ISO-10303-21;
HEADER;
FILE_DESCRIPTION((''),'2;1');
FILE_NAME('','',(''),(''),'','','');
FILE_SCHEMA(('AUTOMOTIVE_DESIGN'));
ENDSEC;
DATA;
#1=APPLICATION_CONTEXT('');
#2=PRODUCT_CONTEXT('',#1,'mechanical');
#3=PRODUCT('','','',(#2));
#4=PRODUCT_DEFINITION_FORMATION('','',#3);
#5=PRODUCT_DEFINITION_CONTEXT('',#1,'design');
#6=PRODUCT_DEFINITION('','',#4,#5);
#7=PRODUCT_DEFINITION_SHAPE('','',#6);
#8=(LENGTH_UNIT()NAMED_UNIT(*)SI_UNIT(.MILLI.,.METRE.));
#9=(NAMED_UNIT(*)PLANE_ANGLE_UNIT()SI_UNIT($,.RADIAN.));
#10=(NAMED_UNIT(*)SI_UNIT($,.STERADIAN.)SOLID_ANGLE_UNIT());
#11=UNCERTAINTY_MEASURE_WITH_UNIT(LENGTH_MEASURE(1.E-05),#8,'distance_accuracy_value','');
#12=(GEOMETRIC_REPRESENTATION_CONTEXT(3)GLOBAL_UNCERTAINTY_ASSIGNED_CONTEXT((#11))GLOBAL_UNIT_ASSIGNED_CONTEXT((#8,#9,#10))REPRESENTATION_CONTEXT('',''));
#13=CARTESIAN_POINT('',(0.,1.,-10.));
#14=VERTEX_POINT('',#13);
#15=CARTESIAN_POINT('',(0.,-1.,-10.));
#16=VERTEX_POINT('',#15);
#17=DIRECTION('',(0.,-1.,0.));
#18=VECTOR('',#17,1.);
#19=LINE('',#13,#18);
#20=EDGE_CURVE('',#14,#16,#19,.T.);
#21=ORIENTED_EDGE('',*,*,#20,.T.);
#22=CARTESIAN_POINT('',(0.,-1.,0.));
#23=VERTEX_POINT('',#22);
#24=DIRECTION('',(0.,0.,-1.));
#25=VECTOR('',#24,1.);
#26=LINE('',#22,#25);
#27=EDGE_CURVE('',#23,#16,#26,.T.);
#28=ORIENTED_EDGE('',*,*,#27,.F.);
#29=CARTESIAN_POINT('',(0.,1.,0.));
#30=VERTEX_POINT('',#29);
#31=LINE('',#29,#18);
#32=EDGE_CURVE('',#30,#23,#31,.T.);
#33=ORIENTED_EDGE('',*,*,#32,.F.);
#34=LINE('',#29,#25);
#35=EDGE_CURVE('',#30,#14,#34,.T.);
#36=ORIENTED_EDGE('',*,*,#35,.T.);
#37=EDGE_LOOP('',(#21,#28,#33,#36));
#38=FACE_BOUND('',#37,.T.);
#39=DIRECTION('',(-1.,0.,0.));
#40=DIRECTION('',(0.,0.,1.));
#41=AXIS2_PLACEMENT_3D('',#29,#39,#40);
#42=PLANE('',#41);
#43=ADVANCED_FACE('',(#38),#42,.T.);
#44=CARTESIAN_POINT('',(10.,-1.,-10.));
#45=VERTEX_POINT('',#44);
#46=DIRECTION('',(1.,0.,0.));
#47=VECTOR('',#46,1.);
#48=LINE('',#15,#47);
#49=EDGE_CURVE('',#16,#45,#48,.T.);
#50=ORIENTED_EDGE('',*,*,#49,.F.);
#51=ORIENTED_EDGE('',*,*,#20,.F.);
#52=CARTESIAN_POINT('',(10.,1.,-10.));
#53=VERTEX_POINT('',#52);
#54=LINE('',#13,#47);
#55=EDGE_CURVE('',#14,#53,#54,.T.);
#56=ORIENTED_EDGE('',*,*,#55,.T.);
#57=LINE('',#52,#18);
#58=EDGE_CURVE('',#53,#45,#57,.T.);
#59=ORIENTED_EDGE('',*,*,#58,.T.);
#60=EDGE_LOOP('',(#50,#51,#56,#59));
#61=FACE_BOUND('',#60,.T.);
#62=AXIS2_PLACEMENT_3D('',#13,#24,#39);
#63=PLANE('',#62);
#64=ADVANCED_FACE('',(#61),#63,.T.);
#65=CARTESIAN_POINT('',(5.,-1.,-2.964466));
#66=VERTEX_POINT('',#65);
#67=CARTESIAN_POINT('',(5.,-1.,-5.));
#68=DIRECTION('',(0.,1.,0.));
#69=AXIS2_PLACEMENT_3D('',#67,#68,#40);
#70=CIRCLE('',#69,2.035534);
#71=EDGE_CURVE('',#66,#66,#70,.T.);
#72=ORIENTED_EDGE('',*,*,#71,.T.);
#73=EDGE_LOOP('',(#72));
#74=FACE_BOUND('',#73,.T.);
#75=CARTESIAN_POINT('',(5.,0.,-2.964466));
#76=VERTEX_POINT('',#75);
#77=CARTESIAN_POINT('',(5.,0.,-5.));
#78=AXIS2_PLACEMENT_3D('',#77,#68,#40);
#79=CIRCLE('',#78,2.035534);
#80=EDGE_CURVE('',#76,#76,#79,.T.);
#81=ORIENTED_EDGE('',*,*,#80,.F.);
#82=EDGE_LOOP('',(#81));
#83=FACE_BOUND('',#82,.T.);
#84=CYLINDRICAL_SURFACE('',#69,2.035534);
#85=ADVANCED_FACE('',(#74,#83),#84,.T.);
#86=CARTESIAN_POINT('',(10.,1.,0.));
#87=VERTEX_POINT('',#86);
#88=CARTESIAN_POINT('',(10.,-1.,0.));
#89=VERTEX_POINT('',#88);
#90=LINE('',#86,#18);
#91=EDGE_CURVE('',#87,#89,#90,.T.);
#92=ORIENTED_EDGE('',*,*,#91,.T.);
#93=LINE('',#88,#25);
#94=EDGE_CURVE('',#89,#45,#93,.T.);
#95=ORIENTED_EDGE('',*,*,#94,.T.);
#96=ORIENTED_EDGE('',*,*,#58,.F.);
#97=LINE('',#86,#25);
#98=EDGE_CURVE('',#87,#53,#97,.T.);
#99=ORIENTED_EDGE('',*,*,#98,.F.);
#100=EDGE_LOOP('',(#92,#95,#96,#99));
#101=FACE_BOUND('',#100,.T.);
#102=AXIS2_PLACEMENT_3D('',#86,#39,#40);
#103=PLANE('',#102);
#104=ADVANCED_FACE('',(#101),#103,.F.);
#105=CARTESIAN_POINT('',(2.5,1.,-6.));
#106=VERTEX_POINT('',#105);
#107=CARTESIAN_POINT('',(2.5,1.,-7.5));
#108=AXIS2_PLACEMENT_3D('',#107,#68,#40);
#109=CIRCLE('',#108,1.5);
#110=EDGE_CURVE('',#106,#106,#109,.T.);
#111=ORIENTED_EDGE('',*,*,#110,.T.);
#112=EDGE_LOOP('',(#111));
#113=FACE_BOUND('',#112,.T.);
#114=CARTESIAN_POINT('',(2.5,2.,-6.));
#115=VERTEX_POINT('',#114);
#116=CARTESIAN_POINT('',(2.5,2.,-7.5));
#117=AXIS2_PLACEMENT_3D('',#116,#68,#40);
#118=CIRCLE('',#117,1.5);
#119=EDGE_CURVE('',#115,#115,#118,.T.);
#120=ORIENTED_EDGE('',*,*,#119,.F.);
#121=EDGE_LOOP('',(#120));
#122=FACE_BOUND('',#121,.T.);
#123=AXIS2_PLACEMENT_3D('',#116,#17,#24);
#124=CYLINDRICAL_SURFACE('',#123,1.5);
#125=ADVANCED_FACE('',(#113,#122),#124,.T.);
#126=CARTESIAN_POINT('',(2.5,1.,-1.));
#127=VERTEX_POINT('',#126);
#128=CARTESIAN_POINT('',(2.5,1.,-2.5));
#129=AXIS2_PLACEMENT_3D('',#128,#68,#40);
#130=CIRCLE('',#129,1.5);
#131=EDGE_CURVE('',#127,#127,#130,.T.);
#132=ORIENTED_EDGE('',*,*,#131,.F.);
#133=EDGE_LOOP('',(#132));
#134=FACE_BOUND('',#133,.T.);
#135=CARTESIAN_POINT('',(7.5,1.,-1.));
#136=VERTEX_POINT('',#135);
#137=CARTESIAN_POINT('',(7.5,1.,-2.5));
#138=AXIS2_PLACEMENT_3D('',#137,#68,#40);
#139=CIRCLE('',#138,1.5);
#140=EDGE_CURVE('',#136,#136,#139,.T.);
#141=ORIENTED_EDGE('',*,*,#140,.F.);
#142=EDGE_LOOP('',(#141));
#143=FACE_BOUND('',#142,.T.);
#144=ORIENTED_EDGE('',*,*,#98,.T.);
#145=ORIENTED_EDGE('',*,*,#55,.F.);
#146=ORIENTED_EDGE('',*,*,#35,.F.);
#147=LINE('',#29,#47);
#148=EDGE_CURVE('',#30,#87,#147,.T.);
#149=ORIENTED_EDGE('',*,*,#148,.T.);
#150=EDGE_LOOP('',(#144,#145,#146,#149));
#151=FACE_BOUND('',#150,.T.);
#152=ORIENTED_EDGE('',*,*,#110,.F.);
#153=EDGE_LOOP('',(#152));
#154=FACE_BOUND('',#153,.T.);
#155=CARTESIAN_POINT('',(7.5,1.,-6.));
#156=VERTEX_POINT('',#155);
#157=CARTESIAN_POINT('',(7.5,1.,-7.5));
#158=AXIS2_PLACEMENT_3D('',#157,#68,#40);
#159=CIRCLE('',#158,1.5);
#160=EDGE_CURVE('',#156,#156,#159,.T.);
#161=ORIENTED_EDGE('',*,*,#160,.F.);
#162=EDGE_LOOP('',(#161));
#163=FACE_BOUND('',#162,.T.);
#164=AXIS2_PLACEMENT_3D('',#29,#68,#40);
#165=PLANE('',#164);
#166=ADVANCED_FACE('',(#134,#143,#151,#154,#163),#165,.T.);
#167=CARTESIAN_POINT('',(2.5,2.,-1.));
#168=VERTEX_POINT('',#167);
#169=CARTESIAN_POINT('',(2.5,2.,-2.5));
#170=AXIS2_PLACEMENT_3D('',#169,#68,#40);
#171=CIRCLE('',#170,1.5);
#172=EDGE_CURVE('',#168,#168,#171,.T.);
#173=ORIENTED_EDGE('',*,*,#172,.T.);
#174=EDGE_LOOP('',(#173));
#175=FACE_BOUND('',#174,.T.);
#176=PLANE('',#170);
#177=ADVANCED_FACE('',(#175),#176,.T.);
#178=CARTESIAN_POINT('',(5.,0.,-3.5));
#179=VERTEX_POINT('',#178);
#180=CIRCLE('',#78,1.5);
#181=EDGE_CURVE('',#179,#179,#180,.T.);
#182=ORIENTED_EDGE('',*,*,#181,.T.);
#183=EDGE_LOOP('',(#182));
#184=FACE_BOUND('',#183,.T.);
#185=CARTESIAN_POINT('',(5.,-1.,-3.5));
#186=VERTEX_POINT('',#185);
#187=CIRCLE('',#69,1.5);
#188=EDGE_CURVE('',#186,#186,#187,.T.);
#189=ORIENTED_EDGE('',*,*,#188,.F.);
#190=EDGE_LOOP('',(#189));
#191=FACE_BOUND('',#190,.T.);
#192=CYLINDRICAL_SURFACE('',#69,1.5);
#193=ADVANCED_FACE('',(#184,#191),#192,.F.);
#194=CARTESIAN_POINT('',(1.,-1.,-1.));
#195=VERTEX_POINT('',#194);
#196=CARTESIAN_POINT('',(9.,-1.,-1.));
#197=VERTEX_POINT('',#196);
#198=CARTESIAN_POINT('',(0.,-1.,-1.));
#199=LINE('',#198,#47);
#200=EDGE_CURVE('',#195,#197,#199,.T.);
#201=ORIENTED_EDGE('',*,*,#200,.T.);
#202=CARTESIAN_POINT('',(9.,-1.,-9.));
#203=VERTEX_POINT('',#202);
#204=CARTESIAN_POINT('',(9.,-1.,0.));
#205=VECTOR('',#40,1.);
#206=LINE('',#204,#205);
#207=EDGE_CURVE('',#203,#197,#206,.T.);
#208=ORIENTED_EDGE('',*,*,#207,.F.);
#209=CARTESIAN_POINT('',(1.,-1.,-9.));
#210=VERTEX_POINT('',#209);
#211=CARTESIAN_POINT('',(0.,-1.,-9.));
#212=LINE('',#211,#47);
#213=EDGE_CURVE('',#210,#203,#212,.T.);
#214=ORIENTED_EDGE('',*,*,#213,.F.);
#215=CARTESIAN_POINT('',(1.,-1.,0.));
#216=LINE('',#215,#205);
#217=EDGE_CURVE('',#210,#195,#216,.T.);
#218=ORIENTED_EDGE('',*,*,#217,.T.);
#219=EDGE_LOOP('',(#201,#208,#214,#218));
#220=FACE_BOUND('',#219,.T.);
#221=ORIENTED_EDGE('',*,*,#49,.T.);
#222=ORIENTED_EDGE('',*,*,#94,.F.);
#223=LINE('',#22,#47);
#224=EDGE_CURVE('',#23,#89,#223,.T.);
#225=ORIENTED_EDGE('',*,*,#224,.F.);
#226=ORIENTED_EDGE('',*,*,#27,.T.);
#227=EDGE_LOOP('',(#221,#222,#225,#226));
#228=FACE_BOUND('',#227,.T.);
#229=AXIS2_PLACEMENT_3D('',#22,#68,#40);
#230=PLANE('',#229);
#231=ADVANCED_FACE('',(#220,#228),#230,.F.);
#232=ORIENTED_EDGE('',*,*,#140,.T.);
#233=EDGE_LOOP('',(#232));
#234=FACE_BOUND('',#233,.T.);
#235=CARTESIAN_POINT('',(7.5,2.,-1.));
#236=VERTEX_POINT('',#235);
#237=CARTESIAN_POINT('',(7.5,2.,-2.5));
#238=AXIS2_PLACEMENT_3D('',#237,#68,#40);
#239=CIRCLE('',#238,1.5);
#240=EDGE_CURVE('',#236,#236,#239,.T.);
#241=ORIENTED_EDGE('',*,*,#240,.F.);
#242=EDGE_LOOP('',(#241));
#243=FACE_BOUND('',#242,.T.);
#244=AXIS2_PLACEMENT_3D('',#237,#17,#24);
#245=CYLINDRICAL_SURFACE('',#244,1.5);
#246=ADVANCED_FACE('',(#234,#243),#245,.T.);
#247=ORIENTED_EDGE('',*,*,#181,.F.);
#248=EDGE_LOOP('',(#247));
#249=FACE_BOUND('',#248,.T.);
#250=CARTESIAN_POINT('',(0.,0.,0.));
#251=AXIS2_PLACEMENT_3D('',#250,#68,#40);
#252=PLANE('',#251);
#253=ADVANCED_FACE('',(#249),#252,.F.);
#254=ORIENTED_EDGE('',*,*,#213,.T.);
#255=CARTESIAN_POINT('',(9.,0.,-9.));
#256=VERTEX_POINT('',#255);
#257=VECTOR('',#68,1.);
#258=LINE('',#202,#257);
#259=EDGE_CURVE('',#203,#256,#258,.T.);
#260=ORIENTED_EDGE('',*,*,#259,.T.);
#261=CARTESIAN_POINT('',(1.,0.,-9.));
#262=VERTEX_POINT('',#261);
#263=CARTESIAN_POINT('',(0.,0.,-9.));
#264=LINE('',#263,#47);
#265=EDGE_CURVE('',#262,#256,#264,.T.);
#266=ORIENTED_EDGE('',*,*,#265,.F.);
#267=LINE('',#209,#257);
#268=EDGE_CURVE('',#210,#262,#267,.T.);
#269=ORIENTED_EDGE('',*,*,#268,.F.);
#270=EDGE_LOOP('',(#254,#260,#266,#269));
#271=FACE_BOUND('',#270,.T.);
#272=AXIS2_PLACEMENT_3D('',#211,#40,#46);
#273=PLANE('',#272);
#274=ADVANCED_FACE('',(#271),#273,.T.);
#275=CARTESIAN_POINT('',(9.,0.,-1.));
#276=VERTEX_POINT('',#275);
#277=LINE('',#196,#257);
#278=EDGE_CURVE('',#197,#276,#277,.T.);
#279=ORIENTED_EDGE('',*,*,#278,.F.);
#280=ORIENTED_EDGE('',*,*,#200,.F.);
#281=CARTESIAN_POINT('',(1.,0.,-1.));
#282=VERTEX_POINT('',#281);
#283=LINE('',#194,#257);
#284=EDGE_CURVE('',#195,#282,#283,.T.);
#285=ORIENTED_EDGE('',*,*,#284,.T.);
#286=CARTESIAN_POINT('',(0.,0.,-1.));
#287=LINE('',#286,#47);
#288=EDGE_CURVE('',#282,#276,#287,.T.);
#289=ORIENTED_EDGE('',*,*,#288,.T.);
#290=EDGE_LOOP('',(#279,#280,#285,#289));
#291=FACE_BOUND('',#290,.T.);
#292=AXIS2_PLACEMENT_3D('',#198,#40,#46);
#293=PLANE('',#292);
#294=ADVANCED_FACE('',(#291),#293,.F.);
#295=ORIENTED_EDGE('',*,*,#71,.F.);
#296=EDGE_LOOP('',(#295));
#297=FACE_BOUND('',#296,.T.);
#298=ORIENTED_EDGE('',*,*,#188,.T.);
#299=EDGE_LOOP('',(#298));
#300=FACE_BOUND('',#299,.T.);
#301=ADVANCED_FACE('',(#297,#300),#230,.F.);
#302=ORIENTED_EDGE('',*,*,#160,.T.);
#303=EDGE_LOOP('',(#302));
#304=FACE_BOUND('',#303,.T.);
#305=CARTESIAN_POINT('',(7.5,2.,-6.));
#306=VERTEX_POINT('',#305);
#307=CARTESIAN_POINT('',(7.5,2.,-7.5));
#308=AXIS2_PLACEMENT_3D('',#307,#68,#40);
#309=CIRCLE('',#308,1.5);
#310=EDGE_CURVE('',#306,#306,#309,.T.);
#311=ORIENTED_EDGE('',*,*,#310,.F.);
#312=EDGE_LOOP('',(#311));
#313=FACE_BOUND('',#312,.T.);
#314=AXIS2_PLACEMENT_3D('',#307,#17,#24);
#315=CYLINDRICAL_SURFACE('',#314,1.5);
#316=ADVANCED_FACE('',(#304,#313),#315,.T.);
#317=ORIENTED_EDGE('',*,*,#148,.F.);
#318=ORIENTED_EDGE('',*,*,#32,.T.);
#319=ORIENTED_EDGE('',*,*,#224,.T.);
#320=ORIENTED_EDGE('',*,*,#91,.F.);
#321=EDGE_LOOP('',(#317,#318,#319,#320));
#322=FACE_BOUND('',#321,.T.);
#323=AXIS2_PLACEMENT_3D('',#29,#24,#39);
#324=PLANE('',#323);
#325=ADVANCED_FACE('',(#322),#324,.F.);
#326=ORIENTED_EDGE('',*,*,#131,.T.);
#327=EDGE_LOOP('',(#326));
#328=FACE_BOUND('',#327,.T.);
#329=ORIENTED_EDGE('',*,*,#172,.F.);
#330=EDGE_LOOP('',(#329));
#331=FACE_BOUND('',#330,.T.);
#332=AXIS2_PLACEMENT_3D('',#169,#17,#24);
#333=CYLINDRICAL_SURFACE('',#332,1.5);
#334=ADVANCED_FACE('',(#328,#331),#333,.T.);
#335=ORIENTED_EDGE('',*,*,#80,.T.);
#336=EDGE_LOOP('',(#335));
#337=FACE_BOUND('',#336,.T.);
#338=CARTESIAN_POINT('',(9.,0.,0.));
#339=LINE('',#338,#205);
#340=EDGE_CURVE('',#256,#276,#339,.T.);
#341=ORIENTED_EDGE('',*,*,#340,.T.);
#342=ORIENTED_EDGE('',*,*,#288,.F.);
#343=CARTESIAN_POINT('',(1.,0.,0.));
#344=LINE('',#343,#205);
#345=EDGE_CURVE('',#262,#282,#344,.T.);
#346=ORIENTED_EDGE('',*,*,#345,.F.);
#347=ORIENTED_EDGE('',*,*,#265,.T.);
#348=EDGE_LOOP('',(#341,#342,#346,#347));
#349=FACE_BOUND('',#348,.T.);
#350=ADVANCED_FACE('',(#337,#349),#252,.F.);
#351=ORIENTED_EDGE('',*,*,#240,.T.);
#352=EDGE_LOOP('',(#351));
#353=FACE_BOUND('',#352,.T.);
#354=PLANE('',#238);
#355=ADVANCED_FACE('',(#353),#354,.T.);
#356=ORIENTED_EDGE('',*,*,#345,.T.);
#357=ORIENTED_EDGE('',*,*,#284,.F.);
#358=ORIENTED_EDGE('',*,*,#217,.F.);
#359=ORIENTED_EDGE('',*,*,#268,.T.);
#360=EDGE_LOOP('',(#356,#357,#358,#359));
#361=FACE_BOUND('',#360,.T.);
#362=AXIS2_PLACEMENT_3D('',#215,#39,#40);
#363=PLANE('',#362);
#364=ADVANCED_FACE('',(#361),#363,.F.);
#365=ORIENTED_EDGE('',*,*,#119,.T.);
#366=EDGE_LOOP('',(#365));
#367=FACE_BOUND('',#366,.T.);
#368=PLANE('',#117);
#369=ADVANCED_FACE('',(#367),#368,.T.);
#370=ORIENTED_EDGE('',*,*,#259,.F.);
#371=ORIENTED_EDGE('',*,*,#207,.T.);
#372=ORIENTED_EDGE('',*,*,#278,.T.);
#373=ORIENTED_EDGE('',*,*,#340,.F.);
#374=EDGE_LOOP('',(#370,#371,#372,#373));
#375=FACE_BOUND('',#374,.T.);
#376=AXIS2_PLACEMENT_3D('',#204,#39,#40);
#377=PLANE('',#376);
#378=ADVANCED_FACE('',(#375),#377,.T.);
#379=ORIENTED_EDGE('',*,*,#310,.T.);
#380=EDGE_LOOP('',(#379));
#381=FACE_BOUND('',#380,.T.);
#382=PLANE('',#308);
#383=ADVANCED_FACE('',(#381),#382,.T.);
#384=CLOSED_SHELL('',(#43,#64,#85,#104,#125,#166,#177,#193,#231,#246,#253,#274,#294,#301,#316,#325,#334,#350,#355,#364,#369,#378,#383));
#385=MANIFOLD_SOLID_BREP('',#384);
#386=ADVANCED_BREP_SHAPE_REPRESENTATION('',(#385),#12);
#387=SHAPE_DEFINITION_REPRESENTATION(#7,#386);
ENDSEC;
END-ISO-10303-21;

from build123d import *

# Parameters (mm, degrees)
SKETCH1_W           = 10
SKETCH1_H           = 10
BOSS_EXTRUDE1_DEPTH = 1
SKETCH1_4_W         = 10
SKETCH1_4_H         = 10
SKETCH1_4_W_2       = 8
SKETCH1_4_H_2       = 8
SKETCH1_4_R         = 2.035533906
SKETCH1_4_R_2       = 1.5
BOSS_EXTRUDE3_DEPTH = 1
SKETCH2_R           = 1.5
BOSS_EXTRUDE4_DEPTH = 1


with BuildPart() as part:
    # Sketch1 → Boss-Extrude1 (new body)
    with BuildSketch(Plane(origin=(0, 0, 0), x_dir=(1, 0, 0), z_dir=(0, 1, 0))):
        with Locations((5, 5)):
            Rectangle(SKETCH1_W, SKETCH1_H)
    extrude(amount=BOSS_EXTRUDE1_DEPTH)

    # Sketch1<4> → Boss-Extrude3 (add)
    # profile 1 of 2: a face of its own
    with BuildSketch(Plane(origin=(0, 0, 0), x_dir=(1, 0, 0), z_dir=(0, 1, 0))):
        with Locations((5, 5)):
            Rectangle(SKETCH1_4_W, SKETCH1_4_H)
        with Locations((5, 5)):
            Rectangle(SKETCH1_4_W_2, SKETCH1_4_H_2, mode=Mode.SUBTRACT)
    # profile 2 of 2: a face of its own
    with BuildSketch(Plane(origin=(0, 0, 0), x_dir=(1, 0, 0), z_dir=(0, 1, 0))):
        with Locations((5, 5)):
            Circle(SKETCH1_4_R)
        with Locations((5, 5)):
            Circle(SKETCH1_4_R_2, mode=Mode.SUBTRACT)
    extrude(amount=-BOSS_EXTRUDE3_DEPTH)

    # Sketch2 → Boss-Extrude4 (add)
    with BuildSketch(Plane(origin=(0, 1, 0), x_dir=(1, 0, 0), z_dir=(0, 1, 0))):
        with Locations((7.5, 2.5)):
            Circle(SKETCH2_R)
        with Locations((2.5, 2.5)):
            Circle(SKETCH2_R)
        with Locations((2.5, 7.5)):
            Circle(SKETCH2_R)
        with Locations((7.5, 7.5)):
            Circle(SKETCH2_R)
    extrude(amount=BOSS_EXTRUDE4_DEPTH)


solid = part.part
